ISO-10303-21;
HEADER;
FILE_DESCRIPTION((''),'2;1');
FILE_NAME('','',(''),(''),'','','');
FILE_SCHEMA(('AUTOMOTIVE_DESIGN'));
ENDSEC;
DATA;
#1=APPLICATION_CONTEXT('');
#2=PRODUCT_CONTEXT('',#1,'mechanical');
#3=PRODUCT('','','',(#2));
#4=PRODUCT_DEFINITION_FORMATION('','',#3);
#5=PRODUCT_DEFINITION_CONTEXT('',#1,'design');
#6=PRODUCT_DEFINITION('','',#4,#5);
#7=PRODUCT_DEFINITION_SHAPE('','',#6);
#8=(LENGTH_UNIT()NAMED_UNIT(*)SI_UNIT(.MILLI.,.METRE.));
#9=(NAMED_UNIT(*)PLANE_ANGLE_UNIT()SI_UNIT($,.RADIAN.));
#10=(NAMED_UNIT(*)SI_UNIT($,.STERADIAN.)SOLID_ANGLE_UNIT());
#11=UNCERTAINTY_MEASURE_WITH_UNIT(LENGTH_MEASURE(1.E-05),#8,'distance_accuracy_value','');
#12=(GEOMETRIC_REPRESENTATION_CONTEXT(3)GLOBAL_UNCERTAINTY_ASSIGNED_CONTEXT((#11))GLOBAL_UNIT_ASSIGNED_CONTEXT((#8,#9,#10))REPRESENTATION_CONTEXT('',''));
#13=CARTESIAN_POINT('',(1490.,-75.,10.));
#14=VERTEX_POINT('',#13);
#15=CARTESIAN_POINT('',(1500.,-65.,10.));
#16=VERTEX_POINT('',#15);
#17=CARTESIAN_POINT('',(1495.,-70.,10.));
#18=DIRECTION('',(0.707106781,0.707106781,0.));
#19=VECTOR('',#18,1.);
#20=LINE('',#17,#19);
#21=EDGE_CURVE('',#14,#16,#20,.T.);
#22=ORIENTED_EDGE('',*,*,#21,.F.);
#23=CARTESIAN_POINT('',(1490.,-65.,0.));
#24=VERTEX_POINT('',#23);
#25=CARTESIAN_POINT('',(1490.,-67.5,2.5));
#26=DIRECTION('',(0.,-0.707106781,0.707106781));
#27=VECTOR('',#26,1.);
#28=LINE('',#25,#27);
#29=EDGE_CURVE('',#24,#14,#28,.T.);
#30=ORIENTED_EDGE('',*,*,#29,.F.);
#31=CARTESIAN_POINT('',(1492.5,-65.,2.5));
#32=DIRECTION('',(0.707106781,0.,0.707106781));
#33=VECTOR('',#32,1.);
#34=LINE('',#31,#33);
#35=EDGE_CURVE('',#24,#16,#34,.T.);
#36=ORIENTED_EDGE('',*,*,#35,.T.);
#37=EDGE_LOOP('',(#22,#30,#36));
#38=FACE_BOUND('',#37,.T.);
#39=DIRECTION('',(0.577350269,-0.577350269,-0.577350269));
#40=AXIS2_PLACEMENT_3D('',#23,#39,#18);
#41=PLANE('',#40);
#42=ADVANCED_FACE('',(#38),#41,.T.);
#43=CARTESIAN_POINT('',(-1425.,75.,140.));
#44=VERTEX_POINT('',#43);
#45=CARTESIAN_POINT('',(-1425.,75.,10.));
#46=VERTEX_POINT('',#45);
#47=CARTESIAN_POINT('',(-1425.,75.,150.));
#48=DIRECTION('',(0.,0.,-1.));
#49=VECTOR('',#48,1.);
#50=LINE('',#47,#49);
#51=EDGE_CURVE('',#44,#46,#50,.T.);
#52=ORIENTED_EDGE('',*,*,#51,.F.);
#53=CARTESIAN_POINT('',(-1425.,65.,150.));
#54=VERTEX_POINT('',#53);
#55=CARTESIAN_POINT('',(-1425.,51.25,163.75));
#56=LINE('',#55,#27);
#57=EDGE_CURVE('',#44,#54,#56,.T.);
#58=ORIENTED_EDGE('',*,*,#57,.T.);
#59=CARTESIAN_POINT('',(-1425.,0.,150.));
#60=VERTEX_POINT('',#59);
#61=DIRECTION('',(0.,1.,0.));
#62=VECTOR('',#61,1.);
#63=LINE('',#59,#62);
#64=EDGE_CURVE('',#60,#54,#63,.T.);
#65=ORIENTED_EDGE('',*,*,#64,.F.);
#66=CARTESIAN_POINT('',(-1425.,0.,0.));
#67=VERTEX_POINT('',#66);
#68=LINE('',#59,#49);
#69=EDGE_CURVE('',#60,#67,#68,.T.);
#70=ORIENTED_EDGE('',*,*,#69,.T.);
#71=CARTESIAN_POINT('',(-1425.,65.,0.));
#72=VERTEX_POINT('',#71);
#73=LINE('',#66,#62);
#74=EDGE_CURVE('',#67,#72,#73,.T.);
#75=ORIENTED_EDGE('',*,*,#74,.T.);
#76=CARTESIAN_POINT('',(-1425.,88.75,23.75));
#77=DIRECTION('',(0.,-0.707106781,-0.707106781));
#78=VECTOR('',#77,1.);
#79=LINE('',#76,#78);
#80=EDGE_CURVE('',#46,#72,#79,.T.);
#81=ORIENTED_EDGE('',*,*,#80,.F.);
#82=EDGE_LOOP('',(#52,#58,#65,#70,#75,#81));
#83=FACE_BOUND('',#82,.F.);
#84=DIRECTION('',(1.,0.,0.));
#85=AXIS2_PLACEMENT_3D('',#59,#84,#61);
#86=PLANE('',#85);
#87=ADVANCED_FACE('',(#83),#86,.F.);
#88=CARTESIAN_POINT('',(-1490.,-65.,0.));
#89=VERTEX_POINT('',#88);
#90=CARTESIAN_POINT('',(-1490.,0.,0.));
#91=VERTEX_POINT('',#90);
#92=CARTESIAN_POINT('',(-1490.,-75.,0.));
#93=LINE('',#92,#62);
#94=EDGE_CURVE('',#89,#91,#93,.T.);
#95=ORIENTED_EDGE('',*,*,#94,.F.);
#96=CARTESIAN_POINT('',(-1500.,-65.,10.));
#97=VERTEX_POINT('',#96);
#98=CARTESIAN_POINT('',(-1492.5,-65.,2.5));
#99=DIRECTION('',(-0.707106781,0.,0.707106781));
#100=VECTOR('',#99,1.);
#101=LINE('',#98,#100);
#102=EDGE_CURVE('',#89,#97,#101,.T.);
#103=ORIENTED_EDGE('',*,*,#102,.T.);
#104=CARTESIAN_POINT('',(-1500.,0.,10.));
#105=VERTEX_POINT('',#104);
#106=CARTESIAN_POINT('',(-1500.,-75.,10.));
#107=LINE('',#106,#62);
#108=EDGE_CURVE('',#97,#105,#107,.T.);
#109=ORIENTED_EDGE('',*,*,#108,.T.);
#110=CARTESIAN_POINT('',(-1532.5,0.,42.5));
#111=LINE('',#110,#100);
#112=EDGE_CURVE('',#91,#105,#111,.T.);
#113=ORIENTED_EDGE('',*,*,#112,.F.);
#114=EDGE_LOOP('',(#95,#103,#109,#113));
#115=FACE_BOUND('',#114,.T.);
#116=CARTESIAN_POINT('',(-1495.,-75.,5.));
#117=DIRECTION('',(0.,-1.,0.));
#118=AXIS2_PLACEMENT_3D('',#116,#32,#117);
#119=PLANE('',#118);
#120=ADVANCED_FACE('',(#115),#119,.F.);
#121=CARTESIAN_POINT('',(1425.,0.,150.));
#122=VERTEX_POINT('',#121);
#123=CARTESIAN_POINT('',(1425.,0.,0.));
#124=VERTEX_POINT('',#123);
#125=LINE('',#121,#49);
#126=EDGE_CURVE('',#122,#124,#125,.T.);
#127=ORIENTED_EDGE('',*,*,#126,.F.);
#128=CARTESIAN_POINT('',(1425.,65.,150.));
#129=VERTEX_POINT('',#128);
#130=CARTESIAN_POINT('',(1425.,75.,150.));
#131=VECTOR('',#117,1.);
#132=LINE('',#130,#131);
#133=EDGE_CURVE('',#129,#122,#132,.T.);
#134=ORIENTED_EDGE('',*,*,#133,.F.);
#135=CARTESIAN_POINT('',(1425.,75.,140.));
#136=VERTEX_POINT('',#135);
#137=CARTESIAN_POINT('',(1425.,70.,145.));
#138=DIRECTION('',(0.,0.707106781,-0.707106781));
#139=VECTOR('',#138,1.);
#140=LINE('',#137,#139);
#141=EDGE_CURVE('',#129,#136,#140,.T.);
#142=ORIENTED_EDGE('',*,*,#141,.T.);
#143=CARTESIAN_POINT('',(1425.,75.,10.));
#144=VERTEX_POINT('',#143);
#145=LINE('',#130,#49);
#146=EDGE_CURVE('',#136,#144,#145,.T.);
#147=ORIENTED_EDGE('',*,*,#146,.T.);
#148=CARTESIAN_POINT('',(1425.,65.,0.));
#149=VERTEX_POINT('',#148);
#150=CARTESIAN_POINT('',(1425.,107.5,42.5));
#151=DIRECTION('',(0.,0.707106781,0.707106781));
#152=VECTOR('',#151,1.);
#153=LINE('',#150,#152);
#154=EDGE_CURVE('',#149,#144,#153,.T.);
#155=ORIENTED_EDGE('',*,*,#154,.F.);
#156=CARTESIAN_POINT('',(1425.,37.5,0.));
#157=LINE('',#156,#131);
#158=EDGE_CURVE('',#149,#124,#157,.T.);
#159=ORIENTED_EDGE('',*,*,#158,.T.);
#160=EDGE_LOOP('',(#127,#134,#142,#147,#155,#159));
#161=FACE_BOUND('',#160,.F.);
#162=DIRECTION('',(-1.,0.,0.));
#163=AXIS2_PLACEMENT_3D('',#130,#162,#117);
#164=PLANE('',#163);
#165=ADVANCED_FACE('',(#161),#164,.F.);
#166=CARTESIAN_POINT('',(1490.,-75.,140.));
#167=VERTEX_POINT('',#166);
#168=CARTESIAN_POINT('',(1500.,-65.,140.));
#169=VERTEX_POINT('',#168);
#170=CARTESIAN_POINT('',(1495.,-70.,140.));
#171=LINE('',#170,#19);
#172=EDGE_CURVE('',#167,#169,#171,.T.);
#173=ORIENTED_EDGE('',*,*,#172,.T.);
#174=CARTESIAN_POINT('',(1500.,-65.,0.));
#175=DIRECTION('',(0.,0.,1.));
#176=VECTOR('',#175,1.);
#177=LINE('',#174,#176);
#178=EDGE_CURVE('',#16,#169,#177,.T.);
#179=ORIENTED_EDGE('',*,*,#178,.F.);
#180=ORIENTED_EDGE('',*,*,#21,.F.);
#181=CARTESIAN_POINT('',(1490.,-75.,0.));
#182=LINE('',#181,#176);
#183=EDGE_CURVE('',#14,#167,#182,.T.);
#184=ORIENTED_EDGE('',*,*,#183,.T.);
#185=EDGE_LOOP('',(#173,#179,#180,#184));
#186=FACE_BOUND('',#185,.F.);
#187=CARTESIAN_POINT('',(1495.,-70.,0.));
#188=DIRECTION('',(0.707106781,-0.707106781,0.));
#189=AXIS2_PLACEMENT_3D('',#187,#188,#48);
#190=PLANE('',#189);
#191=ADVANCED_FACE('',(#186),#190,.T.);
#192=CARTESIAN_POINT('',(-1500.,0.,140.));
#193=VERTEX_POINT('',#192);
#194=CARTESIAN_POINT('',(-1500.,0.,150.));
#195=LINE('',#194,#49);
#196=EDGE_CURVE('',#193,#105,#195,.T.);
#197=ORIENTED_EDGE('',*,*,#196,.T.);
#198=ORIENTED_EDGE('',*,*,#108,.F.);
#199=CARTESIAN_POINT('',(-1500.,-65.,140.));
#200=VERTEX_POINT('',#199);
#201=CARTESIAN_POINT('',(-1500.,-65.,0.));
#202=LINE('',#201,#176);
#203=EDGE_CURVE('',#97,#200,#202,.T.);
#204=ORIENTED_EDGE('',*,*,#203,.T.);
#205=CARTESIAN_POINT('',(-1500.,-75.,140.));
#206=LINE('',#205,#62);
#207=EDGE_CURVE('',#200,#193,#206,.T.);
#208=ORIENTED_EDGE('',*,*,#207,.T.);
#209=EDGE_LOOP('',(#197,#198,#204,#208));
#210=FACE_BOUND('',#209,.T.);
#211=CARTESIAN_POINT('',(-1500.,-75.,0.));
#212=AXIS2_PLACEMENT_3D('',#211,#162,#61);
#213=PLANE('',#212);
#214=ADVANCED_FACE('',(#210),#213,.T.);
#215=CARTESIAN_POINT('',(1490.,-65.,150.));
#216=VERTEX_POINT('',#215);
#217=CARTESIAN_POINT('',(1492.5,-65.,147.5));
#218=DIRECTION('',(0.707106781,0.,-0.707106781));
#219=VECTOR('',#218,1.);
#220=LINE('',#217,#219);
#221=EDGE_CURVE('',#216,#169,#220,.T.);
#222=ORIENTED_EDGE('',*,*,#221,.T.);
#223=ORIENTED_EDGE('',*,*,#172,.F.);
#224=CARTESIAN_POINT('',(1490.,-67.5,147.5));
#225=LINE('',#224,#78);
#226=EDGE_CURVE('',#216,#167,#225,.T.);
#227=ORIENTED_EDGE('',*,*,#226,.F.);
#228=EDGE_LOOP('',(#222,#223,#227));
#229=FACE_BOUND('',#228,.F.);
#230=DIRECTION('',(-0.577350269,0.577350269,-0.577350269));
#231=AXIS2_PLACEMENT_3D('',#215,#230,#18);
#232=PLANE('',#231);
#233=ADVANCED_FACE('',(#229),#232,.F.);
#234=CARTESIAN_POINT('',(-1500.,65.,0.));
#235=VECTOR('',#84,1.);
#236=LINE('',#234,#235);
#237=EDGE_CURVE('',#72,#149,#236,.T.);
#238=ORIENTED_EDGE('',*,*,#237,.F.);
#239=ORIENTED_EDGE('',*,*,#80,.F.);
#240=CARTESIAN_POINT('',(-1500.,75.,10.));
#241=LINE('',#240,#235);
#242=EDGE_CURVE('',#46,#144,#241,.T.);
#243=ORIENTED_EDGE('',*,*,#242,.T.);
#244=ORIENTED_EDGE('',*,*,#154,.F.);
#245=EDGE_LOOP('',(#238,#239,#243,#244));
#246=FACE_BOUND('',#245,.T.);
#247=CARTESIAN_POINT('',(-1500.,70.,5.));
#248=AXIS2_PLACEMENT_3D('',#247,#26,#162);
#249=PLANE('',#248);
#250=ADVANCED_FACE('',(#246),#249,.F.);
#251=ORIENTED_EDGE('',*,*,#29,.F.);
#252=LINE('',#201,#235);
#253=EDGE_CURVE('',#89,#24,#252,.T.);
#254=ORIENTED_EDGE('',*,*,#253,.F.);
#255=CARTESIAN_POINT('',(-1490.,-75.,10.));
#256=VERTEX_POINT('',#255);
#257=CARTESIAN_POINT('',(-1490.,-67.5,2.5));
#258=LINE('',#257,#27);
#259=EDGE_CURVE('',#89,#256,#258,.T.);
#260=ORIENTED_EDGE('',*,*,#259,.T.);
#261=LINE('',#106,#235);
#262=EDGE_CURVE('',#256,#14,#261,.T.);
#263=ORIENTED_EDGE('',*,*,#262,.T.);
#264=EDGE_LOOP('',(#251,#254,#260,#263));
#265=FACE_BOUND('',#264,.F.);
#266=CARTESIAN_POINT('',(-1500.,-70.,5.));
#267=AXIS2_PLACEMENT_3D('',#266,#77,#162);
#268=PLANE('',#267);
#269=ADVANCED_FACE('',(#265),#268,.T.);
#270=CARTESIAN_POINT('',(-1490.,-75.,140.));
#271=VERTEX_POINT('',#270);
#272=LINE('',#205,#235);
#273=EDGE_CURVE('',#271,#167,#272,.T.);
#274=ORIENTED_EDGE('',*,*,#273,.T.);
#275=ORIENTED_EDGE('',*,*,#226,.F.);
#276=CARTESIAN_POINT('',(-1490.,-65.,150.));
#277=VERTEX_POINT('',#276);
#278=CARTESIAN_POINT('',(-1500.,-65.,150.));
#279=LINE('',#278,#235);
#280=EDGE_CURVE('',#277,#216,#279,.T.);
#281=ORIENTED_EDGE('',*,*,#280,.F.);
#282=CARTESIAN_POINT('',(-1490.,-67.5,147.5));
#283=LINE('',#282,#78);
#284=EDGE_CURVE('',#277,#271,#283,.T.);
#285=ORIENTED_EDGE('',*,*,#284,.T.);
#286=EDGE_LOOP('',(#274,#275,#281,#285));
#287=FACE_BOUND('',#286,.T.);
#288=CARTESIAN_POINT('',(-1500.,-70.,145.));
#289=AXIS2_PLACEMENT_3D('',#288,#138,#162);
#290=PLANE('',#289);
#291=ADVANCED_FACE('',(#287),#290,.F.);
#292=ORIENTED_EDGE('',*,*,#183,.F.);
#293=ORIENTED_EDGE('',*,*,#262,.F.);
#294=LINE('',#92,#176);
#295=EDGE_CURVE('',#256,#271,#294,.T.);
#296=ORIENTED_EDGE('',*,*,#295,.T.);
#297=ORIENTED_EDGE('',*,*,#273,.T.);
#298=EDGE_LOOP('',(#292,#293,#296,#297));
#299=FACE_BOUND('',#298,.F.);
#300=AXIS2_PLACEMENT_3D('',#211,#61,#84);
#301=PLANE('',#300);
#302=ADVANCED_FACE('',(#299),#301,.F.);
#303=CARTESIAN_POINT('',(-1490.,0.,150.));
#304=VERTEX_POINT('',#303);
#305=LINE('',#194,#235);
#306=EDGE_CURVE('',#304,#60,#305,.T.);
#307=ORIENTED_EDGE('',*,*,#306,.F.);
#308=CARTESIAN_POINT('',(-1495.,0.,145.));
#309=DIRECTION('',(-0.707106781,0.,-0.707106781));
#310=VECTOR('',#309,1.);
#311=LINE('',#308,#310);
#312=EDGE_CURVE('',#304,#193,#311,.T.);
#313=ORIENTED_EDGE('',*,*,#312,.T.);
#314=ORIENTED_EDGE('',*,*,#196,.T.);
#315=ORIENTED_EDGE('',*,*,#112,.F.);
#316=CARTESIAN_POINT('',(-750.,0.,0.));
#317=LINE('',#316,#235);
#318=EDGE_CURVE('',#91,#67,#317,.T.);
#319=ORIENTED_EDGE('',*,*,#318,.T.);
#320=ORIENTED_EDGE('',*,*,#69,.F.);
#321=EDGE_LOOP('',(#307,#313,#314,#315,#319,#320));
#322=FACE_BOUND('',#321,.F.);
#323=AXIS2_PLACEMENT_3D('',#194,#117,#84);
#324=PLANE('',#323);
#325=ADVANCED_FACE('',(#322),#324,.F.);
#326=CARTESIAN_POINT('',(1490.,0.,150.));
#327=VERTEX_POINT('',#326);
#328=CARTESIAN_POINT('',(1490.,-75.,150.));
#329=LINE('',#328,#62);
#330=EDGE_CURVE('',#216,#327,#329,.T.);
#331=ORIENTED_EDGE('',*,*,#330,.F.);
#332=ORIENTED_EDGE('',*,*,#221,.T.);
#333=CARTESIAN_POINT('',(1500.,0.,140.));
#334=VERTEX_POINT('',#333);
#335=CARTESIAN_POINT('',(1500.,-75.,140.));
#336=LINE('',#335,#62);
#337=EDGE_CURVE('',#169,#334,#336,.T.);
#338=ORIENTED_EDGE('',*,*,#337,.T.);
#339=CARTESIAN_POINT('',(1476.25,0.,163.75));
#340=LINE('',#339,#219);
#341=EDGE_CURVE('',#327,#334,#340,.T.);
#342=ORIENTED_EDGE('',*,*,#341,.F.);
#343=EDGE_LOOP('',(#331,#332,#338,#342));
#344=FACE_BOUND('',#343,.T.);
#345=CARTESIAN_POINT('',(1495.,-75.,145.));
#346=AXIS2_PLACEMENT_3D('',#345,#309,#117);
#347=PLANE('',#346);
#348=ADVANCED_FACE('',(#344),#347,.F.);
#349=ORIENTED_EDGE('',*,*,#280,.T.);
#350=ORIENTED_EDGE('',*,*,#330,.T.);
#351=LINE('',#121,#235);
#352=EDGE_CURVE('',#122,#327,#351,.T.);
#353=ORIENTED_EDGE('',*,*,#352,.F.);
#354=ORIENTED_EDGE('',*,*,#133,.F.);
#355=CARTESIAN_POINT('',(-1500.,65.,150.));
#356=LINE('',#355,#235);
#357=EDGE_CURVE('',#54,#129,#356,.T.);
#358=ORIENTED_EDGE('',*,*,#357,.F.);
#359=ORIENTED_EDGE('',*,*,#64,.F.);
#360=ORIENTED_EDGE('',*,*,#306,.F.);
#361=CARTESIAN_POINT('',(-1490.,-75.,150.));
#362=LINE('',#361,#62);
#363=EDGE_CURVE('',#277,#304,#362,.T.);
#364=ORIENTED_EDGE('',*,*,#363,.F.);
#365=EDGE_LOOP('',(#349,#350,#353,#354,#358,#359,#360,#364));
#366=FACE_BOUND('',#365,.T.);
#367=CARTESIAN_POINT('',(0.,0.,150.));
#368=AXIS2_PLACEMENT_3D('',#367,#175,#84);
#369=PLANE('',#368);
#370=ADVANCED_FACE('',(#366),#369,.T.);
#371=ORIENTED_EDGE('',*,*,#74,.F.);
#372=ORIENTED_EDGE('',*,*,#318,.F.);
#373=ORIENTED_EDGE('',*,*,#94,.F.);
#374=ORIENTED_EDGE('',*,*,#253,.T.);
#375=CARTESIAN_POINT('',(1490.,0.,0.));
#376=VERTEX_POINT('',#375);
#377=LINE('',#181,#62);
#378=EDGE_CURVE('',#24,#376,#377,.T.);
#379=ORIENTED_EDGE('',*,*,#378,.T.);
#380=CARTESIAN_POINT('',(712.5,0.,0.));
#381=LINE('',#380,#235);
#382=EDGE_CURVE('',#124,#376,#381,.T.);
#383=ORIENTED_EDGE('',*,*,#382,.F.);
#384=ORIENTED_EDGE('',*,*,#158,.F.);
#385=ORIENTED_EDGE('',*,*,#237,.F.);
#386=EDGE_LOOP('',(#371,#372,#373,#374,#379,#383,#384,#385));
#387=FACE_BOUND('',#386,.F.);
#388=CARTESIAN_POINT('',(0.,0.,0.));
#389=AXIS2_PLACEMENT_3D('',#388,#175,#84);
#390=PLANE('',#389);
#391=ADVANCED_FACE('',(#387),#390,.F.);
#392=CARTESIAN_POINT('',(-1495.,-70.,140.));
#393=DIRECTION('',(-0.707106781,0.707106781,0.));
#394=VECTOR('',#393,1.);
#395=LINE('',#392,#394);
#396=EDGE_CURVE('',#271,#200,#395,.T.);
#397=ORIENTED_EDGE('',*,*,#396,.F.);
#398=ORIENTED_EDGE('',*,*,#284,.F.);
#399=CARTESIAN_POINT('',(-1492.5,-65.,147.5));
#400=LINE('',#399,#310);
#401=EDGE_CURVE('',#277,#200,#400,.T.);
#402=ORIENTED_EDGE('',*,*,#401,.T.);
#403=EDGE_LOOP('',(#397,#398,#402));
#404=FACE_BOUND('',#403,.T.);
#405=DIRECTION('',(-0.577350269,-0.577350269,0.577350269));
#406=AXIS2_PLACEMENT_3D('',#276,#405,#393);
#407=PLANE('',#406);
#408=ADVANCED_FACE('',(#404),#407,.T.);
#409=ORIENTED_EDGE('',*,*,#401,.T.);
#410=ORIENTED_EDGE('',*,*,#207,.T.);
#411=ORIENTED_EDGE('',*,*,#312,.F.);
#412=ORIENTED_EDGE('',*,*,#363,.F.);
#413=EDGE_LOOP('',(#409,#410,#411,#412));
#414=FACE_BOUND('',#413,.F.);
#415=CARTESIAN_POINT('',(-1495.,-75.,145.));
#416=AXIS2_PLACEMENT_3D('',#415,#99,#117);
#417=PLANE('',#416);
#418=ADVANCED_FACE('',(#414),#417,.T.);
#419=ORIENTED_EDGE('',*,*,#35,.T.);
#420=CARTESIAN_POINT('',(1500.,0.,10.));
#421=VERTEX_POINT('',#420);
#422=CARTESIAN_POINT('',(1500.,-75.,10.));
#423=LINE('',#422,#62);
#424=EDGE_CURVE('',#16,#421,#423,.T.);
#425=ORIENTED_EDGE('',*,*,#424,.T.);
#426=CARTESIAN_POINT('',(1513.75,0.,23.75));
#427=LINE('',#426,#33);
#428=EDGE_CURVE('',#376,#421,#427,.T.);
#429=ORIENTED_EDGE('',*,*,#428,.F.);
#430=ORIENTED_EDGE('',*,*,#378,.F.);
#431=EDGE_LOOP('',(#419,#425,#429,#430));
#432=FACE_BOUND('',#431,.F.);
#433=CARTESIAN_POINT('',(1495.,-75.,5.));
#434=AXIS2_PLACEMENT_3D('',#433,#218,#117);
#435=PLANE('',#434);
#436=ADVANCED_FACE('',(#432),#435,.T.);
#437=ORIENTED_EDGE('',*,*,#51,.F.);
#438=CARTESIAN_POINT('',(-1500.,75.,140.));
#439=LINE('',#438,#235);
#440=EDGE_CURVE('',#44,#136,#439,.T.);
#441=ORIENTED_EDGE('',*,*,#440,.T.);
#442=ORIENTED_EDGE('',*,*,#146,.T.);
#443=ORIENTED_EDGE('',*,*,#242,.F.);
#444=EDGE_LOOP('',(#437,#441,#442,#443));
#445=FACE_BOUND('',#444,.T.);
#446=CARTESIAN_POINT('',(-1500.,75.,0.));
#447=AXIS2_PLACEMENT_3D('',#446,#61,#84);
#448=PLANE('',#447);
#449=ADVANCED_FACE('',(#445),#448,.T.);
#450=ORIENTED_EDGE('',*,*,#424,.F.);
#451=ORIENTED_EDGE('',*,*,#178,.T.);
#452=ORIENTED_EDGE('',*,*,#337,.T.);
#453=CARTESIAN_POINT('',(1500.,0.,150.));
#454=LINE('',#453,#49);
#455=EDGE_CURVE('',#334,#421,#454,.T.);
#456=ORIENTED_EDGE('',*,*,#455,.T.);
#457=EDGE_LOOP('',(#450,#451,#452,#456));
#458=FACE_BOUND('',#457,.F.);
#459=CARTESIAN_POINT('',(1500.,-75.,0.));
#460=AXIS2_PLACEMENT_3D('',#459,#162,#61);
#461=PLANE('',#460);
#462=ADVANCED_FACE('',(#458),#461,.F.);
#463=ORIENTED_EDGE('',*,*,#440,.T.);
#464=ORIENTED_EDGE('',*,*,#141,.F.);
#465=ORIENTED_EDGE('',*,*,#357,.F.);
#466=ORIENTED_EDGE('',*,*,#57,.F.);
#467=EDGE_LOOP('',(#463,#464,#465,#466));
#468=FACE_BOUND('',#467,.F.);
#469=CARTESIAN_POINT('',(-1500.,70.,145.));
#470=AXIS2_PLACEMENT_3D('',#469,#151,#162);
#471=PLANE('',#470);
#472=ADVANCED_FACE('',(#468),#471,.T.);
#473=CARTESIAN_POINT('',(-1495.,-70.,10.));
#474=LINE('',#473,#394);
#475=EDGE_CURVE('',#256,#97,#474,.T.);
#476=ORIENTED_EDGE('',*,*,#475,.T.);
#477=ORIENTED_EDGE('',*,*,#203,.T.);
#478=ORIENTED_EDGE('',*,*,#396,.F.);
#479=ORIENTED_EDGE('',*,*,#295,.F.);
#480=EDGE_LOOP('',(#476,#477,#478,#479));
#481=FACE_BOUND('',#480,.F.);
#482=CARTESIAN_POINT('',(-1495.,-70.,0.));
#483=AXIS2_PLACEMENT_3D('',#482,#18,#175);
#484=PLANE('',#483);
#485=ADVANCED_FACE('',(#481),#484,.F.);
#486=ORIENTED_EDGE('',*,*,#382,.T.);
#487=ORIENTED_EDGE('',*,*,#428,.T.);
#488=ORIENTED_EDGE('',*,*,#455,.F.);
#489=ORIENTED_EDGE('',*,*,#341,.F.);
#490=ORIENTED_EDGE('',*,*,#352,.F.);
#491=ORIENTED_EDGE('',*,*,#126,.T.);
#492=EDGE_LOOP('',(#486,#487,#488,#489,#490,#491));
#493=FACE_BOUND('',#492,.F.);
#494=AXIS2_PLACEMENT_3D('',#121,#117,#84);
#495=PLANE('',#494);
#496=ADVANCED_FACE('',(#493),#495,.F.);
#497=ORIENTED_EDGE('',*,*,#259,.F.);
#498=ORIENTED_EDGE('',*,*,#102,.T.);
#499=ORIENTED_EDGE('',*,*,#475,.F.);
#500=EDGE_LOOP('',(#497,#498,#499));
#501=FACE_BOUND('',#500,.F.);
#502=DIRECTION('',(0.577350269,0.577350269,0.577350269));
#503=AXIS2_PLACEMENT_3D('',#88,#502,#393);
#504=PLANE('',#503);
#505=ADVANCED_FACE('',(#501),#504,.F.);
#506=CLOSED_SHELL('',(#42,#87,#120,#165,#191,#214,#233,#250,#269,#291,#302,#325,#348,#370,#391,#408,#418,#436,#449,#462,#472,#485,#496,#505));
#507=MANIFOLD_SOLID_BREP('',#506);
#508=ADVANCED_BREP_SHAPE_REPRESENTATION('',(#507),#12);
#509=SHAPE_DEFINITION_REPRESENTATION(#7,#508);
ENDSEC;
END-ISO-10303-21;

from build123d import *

# Parameters (mm, degrees)
F0_W     = 3000
F0_H     = 150
F1_DEPTH = 150
F2_SIZE  = 10
F3_W     = 65
F3_H     = 65
F4_DEPTH = 150.001
F5_W     = 65
F5_H     = 65
F6_DEPTH = 150.001


with BuildPart() as f1:
    # F0 (on Top) → F1 (new body)
    with BuildSketch(Plane.XY):
        Rectangle(F0_W, F0_H)
    extrude(amount=F1_DEPTH)

    # F2
    f2_edges = [f1.edges().sort_by_distance(p)[0] for p in [
        (-1500, -75, 75),
        (1500, -75, 75),
        (0, -75, 0),
        (0, -75, 150),
        (0, 75, 150),
        (-1500, 0, 150),
        (1500, 0, 150),
        (-1500, 75, 75),
        (-1500, 0, 0),
        (0, 75, 0),
        (1500, 0, 0),
        (1500, 75, 75),
    ]]
    chamfer(f2_edges, length=F2_SIZE)

    # F3 (on face) → F4 (cut, through all)
    with BuildSketch(Plane.XY.offset(150)):
        with Locations((-1457.5, 32.5)):
            Rectangle(F3_W, F3_H)
        Polygon((-1425, 65), (-1425, 75), (-1500, 75), (-1500, 0), (-1490, 0), (-1490, 65), align=None)
    extrude(amount=-F4_DEPTH, mode=Mode.SUBTRACT)

    # F5 (on face) → F6 (cut, through all)
    with BuildSketch(Plane.XY.offset(150)):
        Polygon((1500, 75), (1425, 75), (1425, 65), (1490, 65), (1490, 0), (1500, 0), align=None)
        with Locations((1457.5, 32.5)):
            Rectangle(F5_W, F5_H)
    extrude(amount=-F6_DEPTH, mode=Mode.SUBTRACT)


solid = f1.part
